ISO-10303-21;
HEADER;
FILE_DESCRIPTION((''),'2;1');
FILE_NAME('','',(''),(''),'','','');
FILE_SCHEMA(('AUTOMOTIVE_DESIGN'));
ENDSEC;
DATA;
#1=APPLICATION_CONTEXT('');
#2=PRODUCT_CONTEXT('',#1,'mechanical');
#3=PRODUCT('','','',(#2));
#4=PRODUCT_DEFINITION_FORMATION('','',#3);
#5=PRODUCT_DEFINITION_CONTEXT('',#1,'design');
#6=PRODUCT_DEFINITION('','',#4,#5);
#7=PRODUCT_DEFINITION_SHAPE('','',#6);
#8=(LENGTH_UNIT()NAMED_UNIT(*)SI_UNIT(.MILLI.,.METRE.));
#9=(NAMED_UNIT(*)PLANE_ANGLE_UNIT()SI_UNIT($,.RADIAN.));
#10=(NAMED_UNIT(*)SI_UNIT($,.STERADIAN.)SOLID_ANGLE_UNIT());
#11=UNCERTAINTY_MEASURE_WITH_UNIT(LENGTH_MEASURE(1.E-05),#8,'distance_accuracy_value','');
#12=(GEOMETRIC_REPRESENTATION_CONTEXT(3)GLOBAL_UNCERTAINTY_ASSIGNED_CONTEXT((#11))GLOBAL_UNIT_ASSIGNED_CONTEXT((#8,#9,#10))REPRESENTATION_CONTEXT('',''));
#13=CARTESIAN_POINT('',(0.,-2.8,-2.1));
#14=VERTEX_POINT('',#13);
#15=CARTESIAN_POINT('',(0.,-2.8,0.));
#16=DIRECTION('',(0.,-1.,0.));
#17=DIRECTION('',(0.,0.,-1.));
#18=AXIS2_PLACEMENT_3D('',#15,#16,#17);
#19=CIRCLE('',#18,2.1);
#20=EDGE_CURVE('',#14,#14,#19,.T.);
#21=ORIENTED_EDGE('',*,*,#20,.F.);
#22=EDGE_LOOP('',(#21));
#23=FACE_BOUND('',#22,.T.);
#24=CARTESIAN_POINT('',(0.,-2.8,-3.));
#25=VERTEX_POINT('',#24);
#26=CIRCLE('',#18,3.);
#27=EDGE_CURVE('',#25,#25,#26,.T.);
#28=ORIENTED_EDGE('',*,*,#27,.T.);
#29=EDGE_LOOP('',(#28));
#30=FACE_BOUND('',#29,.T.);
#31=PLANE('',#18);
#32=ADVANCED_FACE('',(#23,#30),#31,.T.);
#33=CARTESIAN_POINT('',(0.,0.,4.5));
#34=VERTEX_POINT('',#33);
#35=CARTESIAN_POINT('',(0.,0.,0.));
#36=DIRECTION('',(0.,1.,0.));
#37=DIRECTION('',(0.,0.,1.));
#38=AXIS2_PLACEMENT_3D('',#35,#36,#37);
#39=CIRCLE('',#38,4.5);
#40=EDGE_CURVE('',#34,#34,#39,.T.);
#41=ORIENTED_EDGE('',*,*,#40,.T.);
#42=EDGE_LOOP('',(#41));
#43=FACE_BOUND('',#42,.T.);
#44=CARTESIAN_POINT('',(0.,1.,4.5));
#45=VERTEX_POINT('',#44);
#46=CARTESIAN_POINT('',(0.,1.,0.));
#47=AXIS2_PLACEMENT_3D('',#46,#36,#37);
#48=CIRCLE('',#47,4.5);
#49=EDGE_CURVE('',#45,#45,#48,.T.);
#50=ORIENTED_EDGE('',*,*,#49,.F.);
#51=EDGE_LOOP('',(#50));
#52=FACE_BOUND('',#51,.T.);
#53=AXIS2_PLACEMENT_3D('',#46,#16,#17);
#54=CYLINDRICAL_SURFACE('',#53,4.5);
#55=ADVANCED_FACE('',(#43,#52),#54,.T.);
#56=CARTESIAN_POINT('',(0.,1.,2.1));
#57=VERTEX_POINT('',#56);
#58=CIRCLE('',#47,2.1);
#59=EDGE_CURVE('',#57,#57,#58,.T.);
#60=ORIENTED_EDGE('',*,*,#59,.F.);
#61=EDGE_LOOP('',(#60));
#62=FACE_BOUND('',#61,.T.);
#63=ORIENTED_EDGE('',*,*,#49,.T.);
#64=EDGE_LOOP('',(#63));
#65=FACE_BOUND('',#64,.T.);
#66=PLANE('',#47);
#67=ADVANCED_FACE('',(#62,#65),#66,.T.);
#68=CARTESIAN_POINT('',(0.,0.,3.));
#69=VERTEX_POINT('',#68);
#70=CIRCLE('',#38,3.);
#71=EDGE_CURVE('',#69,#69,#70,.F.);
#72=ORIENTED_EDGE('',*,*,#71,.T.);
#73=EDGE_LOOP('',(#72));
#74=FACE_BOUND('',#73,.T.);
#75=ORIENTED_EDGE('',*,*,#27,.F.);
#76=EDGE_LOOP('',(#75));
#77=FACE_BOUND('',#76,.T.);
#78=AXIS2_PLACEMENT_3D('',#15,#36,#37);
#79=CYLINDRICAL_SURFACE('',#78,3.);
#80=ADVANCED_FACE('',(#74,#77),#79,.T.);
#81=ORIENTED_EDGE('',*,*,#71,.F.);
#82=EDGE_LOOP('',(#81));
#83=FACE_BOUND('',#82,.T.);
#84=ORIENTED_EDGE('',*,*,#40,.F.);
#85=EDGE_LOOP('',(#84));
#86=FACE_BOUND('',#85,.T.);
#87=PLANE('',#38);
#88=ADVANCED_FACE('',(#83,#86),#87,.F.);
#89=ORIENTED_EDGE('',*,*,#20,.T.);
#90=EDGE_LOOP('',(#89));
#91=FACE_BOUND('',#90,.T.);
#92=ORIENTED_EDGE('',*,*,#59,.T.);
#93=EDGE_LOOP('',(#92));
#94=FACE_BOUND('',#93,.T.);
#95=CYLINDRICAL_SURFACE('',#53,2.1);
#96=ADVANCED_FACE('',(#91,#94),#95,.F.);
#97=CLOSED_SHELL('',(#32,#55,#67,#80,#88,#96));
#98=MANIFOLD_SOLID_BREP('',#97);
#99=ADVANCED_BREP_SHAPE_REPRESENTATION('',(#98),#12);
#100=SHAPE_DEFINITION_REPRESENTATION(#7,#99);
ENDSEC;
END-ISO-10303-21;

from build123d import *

# Parameters (mm, degrees)
SKETCH_1_R      = 4.5
SKETCH_1_R_2    = 2.1
EXTRUDE_1_DEPTH = 1
SKETCH_2_R      = 3
SKETCH_2_R_2    = 2.1
EXTRUDE_2_DEPTH = 2.8


with BuildPart() as part:
    # 草图1 → 凸台-拉伸1 (new body)
    with BuildSketch(Plane(origin=(0, 0, 0), x_dir=(1, 0, 0), z_dir=(0, 1, 0))):
        Circle(SKETCH_1_R)
        Circle(SKETCH_1_R_2, mode=Mode.SUBTRACT)
    extrude(amount=EXTRUDE_1_DEPTH)

    # 草图2 → 凸台-拉伸2 (add)
    with BuildSketch(Plane.XZ):
        Circle(SKETCH_2_R)
        Circle(SKETCH_2_R_2, mode=Mode.SUBTRACT)
    extrude(amount=EXTRUDE_2_DEPTH)


solid = part.part
